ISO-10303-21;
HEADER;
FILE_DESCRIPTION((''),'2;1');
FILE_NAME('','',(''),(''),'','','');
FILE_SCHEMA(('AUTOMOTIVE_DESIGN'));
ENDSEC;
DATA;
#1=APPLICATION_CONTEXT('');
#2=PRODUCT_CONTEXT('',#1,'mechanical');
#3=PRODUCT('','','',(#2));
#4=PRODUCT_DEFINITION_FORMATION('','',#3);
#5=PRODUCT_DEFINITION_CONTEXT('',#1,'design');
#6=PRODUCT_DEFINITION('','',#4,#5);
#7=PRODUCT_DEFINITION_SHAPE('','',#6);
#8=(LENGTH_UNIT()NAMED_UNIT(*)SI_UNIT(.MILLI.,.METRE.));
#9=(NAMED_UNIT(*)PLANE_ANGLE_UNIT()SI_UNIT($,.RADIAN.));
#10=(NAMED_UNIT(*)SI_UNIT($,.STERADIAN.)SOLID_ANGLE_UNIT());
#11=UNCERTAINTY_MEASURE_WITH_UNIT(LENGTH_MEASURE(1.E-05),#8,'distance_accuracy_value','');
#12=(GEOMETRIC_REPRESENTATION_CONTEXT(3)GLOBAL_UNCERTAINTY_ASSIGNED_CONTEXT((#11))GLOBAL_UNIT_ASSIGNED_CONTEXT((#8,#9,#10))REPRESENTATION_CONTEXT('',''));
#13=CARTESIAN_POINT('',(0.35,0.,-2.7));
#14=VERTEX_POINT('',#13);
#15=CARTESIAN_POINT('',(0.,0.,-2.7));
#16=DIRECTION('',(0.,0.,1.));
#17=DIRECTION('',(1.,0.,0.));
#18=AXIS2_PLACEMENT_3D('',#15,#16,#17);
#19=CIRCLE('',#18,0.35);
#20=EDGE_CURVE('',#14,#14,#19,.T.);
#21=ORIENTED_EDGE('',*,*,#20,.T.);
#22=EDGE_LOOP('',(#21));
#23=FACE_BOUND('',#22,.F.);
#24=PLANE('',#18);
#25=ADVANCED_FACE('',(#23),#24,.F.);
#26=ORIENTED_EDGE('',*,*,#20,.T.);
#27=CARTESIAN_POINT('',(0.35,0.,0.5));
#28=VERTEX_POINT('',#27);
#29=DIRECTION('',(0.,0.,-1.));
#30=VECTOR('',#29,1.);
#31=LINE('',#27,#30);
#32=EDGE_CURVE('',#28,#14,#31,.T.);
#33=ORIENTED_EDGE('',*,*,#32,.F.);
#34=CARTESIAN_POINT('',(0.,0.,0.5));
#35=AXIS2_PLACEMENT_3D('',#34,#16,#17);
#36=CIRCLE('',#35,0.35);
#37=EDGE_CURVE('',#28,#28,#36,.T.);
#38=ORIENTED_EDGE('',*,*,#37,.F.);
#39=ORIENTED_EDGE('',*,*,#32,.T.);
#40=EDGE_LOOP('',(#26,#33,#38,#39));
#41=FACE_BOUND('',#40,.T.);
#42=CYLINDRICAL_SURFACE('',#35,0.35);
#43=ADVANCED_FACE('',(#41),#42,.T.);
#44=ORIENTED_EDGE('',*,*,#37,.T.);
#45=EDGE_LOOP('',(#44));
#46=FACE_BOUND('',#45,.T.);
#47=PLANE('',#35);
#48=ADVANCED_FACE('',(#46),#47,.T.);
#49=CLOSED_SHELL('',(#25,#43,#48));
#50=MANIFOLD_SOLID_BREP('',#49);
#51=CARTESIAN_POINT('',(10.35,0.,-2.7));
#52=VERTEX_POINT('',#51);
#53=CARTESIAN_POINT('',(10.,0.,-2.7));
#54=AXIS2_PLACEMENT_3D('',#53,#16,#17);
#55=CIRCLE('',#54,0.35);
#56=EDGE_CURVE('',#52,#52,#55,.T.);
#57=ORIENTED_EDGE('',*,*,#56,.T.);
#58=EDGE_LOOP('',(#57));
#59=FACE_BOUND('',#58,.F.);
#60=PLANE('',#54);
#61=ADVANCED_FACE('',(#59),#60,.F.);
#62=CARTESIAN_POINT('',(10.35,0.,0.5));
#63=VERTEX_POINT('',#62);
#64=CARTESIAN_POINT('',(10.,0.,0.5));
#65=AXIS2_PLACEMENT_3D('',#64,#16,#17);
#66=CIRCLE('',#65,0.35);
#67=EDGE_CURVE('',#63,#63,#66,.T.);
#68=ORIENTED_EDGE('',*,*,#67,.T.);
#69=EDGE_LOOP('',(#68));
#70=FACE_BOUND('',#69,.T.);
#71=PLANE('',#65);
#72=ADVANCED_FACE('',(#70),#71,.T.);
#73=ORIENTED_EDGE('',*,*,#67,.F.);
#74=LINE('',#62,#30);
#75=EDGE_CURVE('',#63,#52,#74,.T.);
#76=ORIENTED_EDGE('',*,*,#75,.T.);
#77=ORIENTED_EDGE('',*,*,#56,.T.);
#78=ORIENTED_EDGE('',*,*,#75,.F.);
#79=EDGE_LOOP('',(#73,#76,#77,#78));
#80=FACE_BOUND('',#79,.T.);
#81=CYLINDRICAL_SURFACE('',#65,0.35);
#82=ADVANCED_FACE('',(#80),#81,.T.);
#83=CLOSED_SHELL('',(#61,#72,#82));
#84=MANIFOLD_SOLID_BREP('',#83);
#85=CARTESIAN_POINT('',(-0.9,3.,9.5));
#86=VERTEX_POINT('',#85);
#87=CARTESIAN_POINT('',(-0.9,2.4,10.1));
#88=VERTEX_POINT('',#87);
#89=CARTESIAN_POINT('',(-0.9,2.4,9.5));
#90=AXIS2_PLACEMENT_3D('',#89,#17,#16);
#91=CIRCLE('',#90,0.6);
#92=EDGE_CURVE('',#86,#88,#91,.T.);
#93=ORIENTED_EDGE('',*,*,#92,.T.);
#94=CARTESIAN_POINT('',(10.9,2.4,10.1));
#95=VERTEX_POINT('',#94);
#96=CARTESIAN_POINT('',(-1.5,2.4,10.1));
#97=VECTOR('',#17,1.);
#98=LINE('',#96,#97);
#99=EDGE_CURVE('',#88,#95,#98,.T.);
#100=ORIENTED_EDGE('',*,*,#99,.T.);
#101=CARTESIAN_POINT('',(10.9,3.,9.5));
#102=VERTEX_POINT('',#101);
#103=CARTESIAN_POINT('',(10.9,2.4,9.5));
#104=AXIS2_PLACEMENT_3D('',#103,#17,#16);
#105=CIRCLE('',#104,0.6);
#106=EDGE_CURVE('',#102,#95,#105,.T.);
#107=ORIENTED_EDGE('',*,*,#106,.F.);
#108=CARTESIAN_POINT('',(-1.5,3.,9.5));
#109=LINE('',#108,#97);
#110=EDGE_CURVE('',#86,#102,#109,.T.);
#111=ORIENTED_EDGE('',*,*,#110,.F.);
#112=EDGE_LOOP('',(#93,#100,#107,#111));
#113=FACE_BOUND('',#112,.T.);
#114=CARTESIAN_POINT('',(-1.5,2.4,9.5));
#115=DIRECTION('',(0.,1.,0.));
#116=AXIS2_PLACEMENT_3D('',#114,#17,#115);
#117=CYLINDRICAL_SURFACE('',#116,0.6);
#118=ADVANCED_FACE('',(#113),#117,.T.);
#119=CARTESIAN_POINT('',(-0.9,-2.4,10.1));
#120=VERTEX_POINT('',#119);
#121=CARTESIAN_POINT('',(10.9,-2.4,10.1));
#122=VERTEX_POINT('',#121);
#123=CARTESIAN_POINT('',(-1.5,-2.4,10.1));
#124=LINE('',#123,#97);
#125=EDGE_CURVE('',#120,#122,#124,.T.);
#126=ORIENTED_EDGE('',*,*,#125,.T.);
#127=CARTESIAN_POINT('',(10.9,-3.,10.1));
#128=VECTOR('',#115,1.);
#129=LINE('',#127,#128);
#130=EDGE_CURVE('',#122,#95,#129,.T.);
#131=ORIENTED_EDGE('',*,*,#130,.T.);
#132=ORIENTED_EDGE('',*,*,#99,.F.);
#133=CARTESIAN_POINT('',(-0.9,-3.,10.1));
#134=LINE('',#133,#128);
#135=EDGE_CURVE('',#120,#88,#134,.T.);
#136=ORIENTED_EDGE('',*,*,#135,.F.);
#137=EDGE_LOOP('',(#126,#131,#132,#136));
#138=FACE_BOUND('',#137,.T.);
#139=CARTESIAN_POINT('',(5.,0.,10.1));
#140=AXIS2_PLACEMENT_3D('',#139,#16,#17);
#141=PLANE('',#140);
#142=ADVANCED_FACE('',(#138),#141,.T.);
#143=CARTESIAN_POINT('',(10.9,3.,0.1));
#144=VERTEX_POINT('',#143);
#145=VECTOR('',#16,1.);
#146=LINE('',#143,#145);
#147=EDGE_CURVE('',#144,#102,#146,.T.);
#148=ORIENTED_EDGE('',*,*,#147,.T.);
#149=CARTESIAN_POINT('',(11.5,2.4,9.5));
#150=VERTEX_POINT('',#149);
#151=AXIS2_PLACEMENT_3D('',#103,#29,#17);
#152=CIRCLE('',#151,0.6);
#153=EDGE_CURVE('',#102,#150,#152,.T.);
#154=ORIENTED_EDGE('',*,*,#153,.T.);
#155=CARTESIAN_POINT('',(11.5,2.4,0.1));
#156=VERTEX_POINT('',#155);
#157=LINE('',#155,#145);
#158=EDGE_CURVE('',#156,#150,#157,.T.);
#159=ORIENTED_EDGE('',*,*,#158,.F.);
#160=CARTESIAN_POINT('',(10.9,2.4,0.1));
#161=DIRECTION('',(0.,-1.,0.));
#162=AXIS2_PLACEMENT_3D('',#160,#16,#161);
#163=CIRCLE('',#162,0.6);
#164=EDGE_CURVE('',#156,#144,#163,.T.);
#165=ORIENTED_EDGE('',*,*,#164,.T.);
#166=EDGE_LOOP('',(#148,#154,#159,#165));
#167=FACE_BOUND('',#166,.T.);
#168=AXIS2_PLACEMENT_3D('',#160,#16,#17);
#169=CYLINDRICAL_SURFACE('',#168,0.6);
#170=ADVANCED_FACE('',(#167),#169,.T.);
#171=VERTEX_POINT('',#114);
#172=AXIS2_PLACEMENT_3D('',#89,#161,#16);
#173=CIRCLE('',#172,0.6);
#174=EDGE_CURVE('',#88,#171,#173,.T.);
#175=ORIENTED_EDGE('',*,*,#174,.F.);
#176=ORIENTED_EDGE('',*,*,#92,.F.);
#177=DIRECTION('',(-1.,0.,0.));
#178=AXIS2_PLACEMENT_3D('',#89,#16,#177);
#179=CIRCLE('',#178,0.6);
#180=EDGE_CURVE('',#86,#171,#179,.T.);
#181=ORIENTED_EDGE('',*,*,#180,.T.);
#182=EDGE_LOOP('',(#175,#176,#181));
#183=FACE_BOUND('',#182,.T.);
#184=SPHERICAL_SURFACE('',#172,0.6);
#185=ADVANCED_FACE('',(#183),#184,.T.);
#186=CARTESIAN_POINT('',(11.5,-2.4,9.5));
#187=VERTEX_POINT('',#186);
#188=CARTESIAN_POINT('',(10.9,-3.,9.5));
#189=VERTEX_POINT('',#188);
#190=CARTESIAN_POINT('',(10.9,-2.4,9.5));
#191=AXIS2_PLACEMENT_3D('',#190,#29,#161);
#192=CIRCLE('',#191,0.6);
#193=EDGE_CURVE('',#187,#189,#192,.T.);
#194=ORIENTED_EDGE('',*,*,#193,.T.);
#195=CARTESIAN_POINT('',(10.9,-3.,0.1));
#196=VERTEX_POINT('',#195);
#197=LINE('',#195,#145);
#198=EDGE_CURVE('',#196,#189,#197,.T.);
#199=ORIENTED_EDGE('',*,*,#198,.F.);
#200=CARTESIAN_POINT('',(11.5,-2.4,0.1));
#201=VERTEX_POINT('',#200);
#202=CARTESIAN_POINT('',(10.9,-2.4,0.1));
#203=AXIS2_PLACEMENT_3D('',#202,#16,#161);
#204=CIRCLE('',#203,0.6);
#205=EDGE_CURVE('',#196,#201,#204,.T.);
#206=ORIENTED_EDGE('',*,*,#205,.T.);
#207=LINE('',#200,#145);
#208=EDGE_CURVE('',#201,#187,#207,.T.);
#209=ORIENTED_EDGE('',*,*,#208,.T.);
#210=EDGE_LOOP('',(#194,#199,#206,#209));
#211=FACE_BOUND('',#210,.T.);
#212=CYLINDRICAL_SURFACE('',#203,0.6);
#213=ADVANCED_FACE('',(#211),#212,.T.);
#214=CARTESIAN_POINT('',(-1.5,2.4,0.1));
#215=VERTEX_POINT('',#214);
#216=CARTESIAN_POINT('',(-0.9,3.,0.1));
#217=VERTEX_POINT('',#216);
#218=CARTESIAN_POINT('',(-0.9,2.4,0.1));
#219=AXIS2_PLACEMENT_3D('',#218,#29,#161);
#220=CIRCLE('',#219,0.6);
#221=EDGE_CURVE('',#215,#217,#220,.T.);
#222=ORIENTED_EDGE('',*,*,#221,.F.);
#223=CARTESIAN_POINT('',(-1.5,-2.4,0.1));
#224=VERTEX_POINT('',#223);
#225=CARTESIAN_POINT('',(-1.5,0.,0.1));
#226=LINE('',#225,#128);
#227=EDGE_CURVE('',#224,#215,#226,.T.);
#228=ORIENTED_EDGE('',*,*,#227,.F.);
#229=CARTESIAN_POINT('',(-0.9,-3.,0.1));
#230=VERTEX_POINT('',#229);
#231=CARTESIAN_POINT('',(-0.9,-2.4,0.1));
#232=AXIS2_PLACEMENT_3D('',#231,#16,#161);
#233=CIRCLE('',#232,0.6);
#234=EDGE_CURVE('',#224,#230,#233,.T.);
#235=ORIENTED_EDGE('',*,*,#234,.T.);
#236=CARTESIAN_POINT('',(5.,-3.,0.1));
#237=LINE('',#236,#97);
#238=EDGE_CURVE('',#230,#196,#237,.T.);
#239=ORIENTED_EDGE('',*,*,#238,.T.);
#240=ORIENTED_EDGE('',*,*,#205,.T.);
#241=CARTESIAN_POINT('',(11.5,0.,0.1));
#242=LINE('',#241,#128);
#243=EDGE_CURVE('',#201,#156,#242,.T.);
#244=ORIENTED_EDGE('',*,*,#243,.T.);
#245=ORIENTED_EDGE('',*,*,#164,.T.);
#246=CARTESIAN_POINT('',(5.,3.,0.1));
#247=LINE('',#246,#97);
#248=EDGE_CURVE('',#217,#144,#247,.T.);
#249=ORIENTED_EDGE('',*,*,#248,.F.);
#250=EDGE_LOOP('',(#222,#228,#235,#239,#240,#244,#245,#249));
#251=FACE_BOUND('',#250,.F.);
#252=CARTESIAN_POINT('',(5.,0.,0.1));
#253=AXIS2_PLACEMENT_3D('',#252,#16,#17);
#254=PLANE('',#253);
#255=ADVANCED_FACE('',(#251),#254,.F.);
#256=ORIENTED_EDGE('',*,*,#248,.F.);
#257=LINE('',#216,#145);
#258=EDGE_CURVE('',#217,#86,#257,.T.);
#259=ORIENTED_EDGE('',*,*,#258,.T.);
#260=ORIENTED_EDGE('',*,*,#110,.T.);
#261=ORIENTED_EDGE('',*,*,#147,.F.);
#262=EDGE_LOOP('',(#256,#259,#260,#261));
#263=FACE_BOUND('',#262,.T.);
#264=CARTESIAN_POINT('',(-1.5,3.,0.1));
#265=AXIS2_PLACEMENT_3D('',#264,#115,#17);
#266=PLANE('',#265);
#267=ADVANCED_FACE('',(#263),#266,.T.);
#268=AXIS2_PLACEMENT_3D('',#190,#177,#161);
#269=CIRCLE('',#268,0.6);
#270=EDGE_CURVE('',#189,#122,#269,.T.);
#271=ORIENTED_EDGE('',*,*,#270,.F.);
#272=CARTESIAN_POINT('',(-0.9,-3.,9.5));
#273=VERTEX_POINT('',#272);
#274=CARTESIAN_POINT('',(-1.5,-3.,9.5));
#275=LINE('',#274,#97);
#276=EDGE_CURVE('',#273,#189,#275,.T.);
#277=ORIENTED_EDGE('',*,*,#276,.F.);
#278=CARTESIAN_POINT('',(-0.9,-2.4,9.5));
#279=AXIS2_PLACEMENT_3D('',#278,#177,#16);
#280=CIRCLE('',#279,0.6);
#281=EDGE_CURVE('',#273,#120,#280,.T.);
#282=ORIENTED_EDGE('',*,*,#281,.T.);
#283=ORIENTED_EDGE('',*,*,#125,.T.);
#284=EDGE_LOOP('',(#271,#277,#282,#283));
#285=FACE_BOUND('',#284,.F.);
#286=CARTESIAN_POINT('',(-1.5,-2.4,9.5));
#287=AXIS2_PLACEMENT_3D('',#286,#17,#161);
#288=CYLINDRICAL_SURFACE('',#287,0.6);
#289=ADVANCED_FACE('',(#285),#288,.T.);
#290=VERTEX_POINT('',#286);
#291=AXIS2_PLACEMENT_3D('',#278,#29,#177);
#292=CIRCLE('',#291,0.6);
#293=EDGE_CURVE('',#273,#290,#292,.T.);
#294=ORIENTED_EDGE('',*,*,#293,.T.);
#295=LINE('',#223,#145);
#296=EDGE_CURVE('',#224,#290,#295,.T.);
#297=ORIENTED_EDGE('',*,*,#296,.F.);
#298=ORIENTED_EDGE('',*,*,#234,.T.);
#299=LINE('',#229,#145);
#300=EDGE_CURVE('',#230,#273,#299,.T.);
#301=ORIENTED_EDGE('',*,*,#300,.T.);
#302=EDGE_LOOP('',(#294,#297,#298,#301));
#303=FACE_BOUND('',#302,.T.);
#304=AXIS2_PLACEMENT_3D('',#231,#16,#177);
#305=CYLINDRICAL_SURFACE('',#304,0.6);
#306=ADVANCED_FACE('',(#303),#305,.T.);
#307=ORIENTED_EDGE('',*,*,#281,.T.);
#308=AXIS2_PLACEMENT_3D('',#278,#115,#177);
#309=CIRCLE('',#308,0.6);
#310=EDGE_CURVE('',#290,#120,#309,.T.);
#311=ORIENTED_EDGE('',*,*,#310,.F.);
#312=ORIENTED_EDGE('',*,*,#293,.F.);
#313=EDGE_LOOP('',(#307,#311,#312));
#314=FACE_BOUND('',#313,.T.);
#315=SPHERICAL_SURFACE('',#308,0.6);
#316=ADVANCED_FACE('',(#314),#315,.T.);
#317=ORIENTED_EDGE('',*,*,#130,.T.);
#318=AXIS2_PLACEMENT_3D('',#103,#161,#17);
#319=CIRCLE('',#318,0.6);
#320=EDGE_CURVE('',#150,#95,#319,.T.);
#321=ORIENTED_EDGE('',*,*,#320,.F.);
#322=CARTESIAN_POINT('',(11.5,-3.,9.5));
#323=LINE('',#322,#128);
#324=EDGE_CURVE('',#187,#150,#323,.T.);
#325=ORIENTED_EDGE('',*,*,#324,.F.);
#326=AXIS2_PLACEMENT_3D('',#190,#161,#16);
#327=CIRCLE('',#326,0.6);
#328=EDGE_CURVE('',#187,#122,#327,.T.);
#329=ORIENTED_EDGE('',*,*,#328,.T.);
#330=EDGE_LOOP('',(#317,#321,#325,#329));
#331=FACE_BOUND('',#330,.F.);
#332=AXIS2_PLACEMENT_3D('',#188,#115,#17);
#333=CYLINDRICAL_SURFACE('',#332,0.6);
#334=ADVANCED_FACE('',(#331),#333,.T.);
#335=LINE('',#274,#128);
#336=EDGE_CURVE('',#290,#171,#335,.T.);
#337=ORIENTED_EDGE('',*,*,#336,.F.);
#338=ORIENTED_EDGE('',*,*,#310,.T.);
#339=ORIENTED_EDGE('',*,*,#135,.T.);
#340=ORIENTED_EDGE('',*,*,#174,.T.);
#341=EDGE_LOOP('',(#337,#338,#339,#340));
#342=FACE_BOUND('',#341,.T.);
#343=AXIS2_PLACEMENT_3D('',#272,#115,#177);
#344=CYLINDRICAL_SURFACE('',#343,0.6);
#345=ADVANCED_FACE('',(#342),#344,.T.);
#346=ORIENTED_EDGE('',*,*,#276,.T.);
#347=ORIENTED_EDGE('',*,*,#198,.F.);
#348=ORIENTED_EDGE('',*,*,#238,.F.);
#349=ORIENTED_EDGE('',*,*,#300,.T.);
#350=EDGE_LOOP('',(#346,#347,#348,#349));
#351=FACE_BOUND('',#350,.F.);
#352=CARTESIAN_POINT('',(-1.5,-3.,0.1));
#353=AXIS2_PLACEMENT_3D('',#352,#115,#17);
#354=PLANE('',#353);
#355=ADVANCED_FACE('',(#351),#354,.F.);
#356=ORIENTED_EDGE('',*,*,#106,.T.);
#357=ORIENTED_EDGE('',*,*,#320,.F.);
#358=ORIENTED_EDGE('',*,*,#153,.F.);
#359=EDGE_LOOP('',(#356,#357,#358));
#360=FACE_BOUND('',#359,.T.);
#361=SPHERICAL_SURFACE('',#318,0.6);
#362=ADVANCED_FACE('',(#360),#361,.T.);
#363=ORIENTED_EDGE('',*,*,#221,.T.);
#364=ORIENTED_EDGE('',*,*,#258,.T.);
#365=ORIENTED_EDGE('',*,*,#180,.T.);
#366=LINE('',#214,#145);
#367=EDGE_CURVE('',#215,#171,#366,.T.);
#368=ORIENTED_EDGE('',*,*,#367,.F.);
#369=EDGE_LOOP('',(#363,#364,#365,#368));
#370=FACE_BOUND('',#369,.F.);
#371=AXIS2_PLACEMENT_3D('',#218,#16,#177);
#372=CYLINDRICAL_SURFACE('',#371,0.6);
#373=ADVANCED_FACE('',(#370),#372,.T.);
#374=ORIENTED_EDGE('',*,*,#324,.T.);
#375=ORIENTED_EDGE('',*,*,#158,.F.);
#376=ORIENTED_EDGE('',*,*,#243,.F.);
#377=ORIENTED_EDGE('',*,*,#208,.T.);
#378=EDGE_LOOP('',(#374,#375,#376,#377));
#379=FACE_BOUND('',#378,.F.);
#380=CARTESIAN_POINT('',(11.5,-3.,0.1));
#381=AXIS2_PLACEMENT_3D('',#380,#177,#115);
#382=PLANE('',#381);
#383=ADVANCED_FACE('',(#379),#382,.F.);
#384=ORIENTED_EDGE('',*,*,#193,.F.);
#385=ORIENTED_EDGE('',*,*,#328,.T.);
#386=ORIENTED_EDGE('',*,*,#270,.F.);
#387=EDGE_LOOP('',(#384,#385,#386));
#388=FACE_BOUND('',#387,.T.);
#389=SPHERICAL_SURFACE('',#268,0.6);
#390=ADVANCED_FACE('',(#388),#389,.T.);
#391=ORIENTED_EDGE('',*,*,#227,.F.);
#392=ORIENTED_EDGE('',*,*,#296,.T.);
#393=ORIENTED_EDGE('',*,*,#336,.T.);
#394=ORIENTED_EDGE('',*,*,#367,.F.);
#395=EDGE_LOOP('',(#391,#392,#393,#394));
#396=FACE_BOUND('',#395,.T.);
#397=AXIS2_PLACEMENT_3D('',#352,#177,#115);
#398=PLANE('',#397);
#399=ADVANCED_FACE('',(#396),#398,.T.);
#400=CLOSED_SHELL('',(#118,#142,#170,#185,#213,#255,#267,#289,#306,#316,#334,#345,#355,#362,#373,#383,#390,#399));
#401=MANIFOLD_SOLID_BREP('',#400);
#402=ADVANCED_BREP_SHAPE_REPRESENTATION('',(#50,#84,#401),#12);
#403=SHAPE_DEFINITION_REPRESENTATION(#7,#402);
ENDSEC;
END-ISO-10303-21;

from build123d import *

# Parameters (mm, degrees)
SKETCH_W     = 13
SKETCH_H     = 6
PAD_DEPTH    = 10
FILLET_R     = 0.6
SKETCH001_R  = 0.35
PAD001_DEPTH = 3.2


with BuildPart() as fillet_body:
    # Sketch → Pad (new body)
    with BuildSketch(Plane.XY.offset(0.1)):
        with Locations((5, 0)):
            Rectangle(SKETCH_W, SKETCH_H)
    extrude(amount=PAD_DEPTH)

    # Fillet
    fillet_edges = [fillet_body.edges().sort_by_distance(p)[0] for p in [
        (-1.5, 0, 10.1),
        (-1.5, -3, 5.1),
        (5, -3, 10.1),
        (11.5, -3, 5.1),
        (11.5, 0, 10.1),
        (11.5, 3, 5.1),
        (5, 3, 10.1),
        (-1.5, 3, 5.1),
    ]]
    fillet(fillet_edges, radius=FILLET_R)


with BuildPart() as pad001:
    # Sketch001 → Pad001 (new body)
    with BuildSketch(Plane.XY.offset(0.5)):
        Circle(SKETCH001_R)
        with Locations((10, 0)):
            Circle(SKETCH001_R)
    extrude(amount=-PAD001_DEPTH)


solid = Compound([fillet_body.part, pad001.part])
